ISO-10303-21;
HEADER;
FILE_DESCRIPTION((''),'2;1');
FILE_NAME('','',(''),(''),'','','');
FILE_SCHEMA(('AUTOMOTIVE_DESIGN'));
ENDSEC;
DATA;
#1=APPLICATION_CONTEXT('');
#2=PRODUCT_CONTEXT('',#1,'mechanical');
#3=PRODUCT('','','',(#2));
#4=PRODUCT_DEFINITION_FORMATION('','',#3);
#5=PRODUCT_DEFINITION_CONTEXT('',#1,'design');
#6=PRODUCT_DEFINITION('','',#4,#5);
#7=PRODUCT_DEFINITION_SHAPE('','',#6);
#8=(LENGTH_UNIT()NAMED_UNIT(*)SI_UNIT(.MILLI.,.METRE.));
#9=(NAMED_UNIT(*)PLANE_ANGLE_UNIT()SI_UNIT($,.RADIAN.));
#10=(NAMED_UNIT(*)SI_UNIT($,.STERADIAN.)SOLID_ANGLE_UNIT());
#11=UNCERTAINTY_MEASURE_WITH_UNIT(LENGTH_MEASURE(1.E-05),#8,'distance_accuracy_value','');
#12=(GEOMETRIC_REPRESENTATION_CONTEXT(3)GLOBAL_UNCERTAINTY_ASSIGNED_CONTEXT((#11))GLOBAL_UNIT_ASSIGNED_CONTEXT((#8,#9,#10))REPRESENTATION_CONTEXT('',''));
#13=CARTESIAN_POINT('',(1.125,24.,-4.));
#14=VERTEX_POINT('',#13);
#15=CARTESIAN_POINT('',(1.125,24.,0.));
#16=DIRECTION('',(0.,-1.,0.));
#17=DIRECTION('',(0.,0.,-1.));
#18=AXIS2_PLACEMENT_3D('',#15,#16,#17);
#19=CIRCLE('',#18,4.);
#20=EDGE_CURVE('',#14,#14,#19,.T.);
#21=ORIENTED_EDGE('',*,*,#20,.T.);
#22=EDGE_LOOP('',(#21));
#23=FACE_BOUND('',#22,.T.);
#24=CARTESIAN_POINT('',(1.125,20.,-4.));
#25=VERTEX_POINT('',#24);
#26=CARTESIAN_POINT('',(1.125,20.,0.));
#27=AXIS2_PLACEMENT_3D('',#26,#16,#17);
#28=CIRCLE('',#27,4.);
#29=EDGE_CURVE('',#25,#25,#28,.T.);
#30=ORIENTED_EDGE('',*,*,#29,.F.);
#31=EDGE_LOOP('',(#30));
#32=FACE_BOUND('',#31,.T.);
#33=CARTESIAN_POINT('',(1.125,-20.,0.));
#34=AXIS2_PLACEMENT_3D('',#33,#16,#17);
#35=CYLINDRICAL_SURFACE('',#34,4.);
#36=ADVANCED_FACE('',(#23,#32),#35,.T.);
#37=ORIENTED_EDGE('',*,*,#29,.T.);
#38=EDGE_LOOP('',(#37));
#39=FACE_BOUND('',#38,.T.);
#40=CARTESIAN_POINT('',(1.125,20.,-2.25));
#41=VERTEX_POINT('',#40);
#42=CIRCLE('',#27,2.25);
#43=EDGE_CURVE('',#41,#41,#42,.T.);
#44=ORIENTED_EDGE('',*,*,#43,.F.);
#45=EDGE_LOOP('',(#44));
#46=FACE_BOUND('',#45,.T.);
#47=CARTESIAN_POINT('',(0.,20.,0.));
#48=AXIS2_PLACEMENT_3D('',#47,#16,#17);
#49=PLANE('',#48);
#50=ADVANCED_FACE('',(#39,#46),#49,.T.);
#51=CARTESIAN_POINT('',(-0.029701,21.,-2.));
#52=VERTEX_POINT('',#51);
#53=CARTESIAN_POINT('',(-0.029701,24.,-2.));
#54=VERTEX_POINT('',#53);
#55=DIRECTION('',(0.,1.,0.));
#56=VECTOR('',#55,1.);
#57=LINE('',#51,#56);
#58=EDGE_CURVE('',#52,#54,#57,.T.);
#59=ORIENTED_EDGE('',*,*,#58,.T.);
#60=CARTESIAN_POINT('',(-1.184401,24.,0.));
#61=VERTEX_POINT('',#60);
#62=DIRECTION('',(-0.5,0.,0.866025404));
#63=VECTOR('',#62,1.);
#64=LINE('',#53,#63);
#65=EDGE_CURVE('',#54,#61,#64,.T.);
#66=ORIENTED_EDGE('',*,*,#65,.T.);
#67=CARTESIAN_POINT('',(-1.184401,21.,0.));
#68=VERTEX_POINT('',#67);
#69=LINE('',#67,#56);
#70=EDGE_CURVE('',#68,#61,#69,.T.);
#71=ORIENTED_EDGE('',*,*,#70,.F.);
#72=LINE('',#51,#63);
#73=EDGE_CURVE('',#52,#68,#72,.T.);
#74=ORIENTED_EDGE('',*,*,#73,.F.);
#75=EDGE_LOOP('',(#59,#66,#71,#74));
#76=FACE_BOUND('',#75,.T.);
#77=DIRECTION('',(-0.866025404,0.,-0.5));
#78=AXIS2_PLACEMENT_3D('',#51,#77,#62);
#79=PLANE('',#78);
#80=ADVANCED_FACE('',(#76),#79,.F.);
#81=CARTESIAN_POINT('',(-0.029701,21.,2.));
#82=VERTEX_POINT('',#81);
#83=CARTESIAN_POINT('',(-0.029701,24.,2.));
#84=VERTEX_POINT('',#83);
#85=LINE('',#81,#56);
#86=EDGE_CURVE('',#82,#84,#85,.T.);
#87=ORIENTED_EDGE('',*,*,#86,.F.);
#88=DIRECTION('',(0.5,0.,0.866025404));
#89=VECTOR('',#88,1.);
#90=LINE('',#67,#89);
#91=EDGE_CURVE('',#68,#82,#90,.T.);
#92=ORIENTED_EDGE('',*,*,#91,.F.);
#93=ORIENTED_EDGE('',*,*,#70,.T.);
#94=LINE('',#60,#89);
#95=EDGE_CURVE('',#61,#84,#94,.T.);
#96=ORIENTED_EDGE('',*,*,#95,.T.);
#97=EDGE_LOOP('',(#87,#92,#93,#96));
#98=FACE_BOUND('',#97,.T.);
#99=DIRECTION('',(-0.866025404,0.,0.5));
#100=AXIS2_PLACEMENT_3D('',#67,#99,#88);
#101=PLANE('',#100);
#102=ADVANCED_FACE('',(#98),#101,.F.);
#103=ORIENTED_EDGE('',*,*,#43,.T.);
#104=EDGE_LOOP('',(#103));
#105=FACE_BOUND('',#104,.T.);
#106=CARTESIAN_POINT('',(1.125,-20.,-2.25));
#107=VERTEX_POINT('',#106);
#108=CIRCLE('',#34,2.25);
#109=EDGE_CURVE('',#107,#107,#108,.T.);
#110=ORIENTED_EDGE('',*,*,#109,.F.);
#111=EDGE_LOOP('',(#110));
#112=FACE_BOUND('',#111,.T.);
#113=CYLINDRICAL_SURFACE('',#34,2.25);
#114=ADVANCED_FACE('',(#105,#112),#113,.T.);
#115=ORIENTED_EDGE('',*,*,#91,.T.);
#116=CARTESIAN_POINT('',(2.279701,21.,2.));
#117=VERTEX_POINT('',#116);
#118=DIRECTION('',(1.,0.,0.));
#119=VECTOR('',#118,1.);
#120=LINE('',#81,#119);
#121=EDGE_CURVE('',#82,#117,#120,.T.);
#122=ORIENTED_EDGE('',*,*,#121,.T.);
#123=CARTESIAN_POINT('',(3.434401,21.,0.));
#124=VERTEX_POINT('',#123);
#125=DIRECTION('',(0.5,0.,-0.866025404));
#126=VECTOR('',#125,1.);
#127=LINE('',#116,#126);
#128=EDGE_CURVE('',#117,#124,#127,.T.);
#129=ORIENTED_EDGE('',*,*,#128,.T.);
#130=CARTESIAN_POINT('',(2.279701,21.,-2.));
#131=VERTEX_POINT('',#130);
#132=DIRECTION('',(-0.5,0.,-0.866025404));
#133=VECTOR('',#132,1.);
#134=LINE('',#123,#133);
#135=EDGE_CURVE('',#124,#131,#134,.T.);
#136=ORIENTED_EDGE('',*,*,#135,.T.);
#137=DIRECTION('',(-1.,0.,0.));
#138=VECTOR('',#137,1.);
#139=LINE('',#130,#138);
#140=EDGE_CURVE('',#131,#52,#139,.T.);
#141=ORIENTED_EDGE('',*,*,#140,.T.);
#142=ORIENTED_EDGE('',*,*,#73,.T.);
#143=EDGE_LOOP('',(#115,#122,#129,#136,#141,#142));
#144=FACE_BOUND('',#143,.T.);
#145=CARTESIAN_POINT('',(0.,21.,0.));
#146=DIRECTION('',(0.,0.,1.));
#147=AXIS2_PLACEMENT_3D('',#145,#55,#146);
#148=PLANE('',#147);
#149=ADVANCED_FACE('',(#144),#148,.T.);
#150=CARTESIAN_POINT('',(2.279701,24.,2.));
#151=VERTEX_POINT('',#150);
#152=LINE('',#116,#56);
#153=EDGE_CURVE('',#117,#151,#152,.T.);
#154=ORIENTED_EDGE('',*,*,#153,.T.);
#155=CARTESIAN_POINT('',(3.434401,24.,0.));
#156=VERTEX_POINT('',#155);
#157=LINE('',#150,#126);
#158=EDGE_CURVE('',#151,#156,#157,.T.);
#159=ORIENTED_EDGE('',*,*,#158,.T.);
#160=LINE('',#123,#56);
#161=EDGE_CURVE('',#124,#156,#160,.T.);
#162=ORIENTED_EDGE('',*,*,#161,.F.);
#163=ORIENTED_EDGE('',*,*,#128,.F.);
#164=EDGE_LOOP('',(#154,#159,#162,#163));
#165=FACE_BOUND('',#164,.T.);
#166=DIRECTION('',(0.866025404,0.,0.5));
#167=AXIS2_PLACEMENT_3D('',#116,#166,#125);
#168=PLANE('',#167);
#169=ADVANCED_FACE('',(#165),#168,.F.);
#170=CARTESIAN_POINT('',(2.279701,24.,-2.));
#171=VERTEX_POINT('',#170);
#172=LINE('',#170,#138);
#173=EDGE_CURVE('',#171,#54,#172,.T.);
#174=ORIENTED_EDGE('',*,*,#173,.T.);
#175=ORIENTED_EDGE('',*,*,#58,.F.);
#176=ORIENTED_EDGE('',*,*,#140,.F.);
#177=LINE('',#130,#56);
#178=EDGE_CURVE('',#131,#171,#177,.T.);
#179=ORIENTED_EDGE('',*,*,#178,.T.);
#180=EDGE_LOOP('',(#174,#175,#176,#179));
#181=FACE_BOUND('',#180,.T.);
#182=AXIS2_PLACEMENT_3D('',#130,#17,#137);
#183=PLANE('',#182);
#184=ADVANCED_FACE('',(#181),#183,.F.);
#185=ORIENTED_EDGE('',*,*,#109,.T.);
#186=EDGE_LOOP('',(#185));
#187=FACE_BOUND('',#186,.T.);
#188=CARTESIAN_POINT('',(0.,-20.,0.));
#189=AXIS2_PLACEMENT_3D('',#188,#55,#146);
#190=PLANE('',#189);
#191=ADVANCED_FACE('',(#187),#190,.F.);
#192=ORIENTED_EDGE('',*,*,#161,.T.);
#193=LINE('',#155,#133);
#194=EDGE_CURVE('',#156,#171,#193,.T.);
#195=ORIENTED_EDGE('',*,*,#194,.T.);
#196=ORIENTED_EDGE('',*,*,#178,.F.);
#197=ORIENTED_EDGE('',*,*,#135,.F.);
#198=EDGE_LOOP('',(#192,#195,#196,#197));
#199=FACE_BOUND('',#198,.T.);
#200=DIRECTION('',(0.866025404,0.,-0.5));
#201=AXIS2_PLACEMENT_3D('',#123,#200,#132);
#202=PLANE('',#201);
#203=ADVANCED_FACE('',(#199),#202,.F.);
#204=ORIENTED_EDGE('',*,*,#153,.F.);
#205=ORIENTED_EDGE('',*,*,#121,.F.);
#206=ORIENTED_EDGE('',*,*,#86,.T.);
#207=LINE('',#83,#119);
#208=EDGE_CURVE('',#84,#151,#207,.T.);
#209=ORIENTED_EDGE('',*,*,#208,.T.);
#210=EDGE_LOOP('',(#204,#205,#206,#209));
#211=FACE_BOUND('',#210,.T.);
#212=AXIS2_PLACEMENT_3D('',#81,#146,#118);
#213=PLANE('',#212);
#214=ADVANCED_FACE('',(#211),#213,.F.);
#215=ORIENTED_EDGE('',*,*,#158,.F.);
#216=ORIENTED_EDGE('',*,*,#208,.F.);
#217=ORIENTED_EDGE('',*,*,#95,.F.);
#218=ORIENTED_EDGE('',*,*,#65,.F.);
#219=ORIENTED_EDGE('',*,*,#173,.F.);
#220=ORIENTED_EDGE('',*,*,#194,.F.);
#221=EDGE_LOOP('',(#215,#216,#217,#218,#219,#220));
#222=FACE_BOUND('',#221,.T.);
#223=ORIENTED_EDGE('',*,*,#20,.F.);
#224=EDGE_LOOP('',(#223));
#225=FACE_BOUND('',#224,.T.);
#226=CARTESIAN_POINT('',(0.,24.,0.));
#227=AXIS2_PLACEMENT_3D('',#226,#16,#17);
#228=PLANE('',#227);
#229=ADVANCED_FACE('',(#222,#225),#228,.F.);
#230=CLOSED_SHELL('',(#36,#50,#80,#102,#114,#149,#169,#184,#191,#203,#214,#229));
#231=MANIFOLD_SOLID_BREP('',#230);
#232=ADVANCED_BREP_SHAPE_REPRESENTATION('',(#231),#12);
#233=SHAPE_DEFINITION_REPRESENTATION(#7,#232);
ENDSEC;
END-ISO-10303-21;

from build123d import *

# Parameters (mm, degrees)
ESQUISSE1_W             = 2.25
ESQUISSE1_H             = 40
ENL_V_MAT_EXTRU_1_DEPTH = 3


with BuildPart() as part:
    # Esquisse1 → Révolution1 (revolve)
    with BuildSketch(Plane.XY, mode=Mode.PRIVATE) as r_volution1_sk:
        Rectangle(ESQUISSE1_W, ESQUISSE1_H)
        Polygon((-2.875, 20), (-1.125, 20), (1.125, 20), (1.125, 24), (-2.875, 24), align=None)
    revolve(r_volution1_sk.sketch.rotate(Axis((1.125, -20, 0), (0, 1, 0)), 270), axis=Axis((1.125, -20, 0), (0, 1, 0)))

    # Esquisse2 → Enlèv. mat.-Extru.1 (cut)
    with BuildSketch(Plane(origin=(0, 24, 0), x_dir=(1, 0, 0), z_dir=(0, 1, 0))):
        Polygon((3.434401077, 0), (2.279700538, 2), (-0.029700538, 2), (-1.184401077, 0), (-0.029700538, -2), (2.279700538, -2), align=None)
    extrude(amount=-ENL_V_MAT_EXTRU_1_DEPTH, mode=Mode.SUBTRACT)


solid = part.part
